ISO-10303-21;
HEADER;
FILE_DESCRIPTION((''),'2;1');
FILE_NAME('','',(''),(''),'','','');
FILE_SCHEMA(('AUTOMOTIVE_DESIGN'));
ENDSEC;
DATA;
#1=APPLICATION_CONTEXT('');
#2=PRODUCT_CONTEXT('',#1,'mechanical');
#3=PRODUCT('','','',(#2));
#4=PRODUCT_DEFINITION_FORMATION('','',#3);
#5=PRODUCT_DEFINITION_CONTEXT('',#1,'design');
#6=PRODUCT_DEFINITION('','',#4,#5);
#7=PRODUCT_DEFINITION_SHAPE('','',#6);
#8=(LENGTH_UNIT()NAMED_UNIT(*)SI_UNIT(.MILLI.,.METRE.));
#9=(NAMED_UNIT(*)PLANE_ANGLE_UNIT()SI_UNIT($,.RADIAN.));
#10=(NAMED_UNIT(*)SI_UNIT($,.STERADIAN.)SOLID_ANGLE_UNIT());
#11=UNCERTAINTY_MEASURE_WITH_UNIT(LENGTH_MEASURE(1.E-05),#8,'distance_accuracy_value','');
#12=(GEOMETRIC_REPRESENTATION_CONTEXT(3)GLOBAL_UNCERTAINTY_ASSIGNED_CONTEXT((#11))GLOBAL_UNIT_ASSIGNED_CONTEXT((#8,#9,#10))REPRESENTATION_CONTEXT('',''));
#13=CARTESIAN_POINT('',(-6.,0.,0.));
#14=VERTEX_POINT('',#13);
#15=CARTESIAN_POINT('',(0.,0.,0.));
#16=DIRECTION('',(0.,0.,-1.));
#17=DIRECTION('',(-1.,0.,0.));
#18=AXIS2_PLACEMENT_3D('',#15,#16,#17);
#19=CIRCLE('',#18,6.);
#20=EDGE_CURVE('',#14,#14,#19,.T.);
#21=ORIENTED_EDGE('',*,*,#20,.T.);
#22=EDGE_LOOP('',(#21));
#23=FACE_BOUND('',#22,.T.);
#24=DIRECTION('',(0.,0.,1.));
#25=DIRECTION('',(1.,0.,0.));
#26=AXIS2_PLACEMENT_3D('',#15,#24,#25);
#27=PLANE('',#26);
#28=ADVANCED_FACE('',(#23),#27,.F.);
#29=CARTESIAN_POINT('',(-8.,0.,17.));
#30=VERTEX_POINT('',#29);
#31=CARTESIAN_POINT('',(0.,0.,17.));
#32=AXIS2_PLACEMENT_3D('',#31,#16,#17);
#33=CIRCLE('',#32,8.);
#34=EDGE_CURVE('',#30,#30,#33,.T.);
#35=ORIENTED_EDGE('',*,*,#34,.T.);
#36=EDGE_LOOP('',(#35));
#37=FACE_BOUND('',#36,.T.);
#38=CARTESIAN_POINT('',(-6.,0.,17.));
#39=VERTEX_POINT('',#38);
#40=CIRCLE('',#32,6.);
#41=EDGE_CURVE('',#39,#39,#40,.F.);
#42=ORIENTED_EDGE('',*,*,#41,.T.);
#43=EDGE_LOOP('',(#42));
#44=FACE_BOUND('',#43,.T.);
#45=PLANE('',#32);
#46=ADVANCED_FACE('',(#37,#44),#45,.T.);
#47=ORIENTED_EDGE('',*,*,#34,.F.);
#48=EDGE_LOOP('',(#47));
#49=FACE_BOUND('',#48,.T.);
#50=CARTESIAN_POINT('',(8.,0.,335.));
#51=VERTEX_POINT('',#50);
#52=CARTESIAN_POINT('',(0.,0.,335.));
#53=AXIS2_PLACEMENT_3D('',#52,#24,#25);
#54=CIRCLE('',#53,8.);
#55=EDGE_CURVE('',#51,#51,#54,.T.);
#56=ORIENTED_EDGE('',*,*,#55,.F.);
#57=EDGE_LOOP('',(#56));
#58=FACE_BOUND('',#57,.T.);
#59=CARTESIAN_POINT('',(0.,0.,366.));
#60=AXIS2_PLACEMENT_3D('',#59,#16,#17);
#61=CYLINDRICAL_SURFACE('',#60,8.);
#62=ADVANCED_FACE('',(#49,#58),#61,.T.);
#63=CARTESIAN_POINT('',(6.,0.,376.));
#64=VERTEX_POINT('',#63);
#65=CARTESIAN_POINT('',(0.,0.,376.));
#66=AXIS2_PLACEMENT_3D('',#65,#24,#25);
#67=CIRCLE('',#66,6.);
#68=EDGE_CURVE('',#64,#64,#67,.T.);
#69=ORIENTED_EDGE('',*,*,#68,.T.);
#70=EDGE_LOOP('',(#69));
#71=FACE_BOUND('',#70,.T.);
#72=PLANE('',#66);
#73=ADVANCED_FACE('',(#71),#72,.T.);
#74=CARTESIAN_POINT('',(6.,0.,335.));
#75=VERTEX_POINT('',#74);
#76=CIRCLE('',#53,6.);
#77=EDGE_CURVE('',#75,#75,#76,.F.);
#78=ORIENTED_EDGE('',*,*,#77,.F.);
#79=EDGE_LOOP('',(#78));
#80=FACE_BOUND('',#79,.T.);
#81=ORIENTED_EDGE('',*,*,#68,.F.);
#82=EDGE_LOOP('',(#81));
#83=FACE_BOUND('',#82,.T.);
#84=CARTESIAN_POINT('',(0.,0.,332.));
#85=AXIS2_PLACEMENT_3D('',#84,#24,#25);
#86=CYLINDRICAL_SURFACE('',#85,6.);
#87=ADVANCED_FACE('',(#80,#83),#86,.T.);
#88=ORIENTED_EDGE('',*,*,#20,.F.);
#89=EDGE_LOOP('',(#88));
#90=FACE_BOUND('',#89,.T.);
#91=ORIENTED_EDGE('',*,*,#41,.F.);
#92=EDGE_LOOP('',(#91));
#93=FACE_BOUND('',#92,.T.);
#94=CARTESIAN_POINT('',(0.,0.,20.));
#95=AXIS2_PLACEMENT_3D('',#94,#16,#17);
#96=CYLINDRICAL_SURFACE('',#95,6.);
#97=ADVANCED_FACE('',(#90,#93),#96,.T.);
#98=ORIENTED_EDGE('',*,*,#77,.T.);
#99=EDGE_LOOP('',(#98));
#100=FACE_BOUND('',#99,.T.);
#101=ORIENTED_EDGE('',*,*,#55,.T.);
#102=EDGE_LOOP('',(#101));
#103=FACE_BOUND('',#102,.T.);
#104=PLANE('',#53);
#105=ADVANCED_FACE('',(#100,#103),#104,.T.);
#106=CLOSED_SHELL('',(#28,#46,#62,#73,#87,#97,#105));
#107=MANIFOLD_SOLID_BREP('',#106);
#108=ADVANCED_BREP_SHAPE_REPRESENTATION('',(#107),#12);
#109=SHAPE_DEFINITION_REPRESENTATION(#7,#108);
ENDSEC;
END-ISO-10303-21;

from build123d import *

# Parameters (mm, degrees)
SKETCH1_R          = 8
EXTRUDE1_DEPTH     = 366
SKETCH3_R          = 8
SKETCH3_R_2        = 6
CUT_EXTRUDE1_DEPTH = 34
SKETCH4_R          = 8
SKETCH4_R_2        = 6
CUT_EXTRUDE2_DEPTH = 20
SKETCH5_R          = 6
EXTRUDE2_DEPTH     = 10
SKETCH7_R          = 8
SKETCH7_R_2        = 6
EXTRUDE3_DEPTH     = 3
SKETCH8_R          = 8
SKETCH8_R_2        = 6
EXTRUDE4_DEPTH     = 3


with BuildPart() as part:
    # Sketch1 → Extrude1 (new body)
    with BuildSketch(Plane.XY):
        Circle(SKETCH1_R)
    extrude(amount=EXTRUDE1_DEPTH)

    # Sketch3 → Cut-Extrude1 (cut)
    with BuildSketch(Plane.XY.offset(366)):
        Circle(SKETCH3_R)
        Circle(SKETCH3_R_2, mode=Mode.SUBTRACT)
    extrude(amount=-CUT_EXTRUDE1_DEPTH, mode=Mode.SUBTRACT)

    # Sketch4 → Cut-Extrude2 (cut)
    with BuildSketch(Plane(origin=(0, 0, 0), x_dir=(-1, 0, 0), z_dir=(0, 0, -1))):
        Circle(SKETCH4_R)
        Circle(SKETCH4_R_2, mode=Mode.SUBTRACT)
    extrude(amount=-CUT_EXTRUDE2_DEPTH, mode=Mode.SUBTRACT)

    # Sketch5 → Extrude2 (add)
    with BuildSketch(Plane.XY.offset(366)):
        Circle(SKETCH5_R)
    extrude(amount=EXTRUDE2_DEPTH)

    # Sketch7 → Extrude3 (add)
    with BuildSketch(Plane.XY.offset(332)):
        Circle(SKETCH7_R)
        Circle(SKETCH7_R_2, mode=Mode.SUBTRACT)
    extrude(amount=EXTRUDE3_DEPTH)

    # Sketch8 → Extrude4 (add)
    with BuildSketch(Plane(origin=(0, 0, 20), x_dir=(-1, 0, 0), z_dir=(0, 0, -1))):
        Circle(SKETCH8_R)
        Circle(SKETCH8_R_2, mode=Mode.SUBTRACT)
    extrude(amount=EXTRUDE4_DEPTH)


solid = part.part
